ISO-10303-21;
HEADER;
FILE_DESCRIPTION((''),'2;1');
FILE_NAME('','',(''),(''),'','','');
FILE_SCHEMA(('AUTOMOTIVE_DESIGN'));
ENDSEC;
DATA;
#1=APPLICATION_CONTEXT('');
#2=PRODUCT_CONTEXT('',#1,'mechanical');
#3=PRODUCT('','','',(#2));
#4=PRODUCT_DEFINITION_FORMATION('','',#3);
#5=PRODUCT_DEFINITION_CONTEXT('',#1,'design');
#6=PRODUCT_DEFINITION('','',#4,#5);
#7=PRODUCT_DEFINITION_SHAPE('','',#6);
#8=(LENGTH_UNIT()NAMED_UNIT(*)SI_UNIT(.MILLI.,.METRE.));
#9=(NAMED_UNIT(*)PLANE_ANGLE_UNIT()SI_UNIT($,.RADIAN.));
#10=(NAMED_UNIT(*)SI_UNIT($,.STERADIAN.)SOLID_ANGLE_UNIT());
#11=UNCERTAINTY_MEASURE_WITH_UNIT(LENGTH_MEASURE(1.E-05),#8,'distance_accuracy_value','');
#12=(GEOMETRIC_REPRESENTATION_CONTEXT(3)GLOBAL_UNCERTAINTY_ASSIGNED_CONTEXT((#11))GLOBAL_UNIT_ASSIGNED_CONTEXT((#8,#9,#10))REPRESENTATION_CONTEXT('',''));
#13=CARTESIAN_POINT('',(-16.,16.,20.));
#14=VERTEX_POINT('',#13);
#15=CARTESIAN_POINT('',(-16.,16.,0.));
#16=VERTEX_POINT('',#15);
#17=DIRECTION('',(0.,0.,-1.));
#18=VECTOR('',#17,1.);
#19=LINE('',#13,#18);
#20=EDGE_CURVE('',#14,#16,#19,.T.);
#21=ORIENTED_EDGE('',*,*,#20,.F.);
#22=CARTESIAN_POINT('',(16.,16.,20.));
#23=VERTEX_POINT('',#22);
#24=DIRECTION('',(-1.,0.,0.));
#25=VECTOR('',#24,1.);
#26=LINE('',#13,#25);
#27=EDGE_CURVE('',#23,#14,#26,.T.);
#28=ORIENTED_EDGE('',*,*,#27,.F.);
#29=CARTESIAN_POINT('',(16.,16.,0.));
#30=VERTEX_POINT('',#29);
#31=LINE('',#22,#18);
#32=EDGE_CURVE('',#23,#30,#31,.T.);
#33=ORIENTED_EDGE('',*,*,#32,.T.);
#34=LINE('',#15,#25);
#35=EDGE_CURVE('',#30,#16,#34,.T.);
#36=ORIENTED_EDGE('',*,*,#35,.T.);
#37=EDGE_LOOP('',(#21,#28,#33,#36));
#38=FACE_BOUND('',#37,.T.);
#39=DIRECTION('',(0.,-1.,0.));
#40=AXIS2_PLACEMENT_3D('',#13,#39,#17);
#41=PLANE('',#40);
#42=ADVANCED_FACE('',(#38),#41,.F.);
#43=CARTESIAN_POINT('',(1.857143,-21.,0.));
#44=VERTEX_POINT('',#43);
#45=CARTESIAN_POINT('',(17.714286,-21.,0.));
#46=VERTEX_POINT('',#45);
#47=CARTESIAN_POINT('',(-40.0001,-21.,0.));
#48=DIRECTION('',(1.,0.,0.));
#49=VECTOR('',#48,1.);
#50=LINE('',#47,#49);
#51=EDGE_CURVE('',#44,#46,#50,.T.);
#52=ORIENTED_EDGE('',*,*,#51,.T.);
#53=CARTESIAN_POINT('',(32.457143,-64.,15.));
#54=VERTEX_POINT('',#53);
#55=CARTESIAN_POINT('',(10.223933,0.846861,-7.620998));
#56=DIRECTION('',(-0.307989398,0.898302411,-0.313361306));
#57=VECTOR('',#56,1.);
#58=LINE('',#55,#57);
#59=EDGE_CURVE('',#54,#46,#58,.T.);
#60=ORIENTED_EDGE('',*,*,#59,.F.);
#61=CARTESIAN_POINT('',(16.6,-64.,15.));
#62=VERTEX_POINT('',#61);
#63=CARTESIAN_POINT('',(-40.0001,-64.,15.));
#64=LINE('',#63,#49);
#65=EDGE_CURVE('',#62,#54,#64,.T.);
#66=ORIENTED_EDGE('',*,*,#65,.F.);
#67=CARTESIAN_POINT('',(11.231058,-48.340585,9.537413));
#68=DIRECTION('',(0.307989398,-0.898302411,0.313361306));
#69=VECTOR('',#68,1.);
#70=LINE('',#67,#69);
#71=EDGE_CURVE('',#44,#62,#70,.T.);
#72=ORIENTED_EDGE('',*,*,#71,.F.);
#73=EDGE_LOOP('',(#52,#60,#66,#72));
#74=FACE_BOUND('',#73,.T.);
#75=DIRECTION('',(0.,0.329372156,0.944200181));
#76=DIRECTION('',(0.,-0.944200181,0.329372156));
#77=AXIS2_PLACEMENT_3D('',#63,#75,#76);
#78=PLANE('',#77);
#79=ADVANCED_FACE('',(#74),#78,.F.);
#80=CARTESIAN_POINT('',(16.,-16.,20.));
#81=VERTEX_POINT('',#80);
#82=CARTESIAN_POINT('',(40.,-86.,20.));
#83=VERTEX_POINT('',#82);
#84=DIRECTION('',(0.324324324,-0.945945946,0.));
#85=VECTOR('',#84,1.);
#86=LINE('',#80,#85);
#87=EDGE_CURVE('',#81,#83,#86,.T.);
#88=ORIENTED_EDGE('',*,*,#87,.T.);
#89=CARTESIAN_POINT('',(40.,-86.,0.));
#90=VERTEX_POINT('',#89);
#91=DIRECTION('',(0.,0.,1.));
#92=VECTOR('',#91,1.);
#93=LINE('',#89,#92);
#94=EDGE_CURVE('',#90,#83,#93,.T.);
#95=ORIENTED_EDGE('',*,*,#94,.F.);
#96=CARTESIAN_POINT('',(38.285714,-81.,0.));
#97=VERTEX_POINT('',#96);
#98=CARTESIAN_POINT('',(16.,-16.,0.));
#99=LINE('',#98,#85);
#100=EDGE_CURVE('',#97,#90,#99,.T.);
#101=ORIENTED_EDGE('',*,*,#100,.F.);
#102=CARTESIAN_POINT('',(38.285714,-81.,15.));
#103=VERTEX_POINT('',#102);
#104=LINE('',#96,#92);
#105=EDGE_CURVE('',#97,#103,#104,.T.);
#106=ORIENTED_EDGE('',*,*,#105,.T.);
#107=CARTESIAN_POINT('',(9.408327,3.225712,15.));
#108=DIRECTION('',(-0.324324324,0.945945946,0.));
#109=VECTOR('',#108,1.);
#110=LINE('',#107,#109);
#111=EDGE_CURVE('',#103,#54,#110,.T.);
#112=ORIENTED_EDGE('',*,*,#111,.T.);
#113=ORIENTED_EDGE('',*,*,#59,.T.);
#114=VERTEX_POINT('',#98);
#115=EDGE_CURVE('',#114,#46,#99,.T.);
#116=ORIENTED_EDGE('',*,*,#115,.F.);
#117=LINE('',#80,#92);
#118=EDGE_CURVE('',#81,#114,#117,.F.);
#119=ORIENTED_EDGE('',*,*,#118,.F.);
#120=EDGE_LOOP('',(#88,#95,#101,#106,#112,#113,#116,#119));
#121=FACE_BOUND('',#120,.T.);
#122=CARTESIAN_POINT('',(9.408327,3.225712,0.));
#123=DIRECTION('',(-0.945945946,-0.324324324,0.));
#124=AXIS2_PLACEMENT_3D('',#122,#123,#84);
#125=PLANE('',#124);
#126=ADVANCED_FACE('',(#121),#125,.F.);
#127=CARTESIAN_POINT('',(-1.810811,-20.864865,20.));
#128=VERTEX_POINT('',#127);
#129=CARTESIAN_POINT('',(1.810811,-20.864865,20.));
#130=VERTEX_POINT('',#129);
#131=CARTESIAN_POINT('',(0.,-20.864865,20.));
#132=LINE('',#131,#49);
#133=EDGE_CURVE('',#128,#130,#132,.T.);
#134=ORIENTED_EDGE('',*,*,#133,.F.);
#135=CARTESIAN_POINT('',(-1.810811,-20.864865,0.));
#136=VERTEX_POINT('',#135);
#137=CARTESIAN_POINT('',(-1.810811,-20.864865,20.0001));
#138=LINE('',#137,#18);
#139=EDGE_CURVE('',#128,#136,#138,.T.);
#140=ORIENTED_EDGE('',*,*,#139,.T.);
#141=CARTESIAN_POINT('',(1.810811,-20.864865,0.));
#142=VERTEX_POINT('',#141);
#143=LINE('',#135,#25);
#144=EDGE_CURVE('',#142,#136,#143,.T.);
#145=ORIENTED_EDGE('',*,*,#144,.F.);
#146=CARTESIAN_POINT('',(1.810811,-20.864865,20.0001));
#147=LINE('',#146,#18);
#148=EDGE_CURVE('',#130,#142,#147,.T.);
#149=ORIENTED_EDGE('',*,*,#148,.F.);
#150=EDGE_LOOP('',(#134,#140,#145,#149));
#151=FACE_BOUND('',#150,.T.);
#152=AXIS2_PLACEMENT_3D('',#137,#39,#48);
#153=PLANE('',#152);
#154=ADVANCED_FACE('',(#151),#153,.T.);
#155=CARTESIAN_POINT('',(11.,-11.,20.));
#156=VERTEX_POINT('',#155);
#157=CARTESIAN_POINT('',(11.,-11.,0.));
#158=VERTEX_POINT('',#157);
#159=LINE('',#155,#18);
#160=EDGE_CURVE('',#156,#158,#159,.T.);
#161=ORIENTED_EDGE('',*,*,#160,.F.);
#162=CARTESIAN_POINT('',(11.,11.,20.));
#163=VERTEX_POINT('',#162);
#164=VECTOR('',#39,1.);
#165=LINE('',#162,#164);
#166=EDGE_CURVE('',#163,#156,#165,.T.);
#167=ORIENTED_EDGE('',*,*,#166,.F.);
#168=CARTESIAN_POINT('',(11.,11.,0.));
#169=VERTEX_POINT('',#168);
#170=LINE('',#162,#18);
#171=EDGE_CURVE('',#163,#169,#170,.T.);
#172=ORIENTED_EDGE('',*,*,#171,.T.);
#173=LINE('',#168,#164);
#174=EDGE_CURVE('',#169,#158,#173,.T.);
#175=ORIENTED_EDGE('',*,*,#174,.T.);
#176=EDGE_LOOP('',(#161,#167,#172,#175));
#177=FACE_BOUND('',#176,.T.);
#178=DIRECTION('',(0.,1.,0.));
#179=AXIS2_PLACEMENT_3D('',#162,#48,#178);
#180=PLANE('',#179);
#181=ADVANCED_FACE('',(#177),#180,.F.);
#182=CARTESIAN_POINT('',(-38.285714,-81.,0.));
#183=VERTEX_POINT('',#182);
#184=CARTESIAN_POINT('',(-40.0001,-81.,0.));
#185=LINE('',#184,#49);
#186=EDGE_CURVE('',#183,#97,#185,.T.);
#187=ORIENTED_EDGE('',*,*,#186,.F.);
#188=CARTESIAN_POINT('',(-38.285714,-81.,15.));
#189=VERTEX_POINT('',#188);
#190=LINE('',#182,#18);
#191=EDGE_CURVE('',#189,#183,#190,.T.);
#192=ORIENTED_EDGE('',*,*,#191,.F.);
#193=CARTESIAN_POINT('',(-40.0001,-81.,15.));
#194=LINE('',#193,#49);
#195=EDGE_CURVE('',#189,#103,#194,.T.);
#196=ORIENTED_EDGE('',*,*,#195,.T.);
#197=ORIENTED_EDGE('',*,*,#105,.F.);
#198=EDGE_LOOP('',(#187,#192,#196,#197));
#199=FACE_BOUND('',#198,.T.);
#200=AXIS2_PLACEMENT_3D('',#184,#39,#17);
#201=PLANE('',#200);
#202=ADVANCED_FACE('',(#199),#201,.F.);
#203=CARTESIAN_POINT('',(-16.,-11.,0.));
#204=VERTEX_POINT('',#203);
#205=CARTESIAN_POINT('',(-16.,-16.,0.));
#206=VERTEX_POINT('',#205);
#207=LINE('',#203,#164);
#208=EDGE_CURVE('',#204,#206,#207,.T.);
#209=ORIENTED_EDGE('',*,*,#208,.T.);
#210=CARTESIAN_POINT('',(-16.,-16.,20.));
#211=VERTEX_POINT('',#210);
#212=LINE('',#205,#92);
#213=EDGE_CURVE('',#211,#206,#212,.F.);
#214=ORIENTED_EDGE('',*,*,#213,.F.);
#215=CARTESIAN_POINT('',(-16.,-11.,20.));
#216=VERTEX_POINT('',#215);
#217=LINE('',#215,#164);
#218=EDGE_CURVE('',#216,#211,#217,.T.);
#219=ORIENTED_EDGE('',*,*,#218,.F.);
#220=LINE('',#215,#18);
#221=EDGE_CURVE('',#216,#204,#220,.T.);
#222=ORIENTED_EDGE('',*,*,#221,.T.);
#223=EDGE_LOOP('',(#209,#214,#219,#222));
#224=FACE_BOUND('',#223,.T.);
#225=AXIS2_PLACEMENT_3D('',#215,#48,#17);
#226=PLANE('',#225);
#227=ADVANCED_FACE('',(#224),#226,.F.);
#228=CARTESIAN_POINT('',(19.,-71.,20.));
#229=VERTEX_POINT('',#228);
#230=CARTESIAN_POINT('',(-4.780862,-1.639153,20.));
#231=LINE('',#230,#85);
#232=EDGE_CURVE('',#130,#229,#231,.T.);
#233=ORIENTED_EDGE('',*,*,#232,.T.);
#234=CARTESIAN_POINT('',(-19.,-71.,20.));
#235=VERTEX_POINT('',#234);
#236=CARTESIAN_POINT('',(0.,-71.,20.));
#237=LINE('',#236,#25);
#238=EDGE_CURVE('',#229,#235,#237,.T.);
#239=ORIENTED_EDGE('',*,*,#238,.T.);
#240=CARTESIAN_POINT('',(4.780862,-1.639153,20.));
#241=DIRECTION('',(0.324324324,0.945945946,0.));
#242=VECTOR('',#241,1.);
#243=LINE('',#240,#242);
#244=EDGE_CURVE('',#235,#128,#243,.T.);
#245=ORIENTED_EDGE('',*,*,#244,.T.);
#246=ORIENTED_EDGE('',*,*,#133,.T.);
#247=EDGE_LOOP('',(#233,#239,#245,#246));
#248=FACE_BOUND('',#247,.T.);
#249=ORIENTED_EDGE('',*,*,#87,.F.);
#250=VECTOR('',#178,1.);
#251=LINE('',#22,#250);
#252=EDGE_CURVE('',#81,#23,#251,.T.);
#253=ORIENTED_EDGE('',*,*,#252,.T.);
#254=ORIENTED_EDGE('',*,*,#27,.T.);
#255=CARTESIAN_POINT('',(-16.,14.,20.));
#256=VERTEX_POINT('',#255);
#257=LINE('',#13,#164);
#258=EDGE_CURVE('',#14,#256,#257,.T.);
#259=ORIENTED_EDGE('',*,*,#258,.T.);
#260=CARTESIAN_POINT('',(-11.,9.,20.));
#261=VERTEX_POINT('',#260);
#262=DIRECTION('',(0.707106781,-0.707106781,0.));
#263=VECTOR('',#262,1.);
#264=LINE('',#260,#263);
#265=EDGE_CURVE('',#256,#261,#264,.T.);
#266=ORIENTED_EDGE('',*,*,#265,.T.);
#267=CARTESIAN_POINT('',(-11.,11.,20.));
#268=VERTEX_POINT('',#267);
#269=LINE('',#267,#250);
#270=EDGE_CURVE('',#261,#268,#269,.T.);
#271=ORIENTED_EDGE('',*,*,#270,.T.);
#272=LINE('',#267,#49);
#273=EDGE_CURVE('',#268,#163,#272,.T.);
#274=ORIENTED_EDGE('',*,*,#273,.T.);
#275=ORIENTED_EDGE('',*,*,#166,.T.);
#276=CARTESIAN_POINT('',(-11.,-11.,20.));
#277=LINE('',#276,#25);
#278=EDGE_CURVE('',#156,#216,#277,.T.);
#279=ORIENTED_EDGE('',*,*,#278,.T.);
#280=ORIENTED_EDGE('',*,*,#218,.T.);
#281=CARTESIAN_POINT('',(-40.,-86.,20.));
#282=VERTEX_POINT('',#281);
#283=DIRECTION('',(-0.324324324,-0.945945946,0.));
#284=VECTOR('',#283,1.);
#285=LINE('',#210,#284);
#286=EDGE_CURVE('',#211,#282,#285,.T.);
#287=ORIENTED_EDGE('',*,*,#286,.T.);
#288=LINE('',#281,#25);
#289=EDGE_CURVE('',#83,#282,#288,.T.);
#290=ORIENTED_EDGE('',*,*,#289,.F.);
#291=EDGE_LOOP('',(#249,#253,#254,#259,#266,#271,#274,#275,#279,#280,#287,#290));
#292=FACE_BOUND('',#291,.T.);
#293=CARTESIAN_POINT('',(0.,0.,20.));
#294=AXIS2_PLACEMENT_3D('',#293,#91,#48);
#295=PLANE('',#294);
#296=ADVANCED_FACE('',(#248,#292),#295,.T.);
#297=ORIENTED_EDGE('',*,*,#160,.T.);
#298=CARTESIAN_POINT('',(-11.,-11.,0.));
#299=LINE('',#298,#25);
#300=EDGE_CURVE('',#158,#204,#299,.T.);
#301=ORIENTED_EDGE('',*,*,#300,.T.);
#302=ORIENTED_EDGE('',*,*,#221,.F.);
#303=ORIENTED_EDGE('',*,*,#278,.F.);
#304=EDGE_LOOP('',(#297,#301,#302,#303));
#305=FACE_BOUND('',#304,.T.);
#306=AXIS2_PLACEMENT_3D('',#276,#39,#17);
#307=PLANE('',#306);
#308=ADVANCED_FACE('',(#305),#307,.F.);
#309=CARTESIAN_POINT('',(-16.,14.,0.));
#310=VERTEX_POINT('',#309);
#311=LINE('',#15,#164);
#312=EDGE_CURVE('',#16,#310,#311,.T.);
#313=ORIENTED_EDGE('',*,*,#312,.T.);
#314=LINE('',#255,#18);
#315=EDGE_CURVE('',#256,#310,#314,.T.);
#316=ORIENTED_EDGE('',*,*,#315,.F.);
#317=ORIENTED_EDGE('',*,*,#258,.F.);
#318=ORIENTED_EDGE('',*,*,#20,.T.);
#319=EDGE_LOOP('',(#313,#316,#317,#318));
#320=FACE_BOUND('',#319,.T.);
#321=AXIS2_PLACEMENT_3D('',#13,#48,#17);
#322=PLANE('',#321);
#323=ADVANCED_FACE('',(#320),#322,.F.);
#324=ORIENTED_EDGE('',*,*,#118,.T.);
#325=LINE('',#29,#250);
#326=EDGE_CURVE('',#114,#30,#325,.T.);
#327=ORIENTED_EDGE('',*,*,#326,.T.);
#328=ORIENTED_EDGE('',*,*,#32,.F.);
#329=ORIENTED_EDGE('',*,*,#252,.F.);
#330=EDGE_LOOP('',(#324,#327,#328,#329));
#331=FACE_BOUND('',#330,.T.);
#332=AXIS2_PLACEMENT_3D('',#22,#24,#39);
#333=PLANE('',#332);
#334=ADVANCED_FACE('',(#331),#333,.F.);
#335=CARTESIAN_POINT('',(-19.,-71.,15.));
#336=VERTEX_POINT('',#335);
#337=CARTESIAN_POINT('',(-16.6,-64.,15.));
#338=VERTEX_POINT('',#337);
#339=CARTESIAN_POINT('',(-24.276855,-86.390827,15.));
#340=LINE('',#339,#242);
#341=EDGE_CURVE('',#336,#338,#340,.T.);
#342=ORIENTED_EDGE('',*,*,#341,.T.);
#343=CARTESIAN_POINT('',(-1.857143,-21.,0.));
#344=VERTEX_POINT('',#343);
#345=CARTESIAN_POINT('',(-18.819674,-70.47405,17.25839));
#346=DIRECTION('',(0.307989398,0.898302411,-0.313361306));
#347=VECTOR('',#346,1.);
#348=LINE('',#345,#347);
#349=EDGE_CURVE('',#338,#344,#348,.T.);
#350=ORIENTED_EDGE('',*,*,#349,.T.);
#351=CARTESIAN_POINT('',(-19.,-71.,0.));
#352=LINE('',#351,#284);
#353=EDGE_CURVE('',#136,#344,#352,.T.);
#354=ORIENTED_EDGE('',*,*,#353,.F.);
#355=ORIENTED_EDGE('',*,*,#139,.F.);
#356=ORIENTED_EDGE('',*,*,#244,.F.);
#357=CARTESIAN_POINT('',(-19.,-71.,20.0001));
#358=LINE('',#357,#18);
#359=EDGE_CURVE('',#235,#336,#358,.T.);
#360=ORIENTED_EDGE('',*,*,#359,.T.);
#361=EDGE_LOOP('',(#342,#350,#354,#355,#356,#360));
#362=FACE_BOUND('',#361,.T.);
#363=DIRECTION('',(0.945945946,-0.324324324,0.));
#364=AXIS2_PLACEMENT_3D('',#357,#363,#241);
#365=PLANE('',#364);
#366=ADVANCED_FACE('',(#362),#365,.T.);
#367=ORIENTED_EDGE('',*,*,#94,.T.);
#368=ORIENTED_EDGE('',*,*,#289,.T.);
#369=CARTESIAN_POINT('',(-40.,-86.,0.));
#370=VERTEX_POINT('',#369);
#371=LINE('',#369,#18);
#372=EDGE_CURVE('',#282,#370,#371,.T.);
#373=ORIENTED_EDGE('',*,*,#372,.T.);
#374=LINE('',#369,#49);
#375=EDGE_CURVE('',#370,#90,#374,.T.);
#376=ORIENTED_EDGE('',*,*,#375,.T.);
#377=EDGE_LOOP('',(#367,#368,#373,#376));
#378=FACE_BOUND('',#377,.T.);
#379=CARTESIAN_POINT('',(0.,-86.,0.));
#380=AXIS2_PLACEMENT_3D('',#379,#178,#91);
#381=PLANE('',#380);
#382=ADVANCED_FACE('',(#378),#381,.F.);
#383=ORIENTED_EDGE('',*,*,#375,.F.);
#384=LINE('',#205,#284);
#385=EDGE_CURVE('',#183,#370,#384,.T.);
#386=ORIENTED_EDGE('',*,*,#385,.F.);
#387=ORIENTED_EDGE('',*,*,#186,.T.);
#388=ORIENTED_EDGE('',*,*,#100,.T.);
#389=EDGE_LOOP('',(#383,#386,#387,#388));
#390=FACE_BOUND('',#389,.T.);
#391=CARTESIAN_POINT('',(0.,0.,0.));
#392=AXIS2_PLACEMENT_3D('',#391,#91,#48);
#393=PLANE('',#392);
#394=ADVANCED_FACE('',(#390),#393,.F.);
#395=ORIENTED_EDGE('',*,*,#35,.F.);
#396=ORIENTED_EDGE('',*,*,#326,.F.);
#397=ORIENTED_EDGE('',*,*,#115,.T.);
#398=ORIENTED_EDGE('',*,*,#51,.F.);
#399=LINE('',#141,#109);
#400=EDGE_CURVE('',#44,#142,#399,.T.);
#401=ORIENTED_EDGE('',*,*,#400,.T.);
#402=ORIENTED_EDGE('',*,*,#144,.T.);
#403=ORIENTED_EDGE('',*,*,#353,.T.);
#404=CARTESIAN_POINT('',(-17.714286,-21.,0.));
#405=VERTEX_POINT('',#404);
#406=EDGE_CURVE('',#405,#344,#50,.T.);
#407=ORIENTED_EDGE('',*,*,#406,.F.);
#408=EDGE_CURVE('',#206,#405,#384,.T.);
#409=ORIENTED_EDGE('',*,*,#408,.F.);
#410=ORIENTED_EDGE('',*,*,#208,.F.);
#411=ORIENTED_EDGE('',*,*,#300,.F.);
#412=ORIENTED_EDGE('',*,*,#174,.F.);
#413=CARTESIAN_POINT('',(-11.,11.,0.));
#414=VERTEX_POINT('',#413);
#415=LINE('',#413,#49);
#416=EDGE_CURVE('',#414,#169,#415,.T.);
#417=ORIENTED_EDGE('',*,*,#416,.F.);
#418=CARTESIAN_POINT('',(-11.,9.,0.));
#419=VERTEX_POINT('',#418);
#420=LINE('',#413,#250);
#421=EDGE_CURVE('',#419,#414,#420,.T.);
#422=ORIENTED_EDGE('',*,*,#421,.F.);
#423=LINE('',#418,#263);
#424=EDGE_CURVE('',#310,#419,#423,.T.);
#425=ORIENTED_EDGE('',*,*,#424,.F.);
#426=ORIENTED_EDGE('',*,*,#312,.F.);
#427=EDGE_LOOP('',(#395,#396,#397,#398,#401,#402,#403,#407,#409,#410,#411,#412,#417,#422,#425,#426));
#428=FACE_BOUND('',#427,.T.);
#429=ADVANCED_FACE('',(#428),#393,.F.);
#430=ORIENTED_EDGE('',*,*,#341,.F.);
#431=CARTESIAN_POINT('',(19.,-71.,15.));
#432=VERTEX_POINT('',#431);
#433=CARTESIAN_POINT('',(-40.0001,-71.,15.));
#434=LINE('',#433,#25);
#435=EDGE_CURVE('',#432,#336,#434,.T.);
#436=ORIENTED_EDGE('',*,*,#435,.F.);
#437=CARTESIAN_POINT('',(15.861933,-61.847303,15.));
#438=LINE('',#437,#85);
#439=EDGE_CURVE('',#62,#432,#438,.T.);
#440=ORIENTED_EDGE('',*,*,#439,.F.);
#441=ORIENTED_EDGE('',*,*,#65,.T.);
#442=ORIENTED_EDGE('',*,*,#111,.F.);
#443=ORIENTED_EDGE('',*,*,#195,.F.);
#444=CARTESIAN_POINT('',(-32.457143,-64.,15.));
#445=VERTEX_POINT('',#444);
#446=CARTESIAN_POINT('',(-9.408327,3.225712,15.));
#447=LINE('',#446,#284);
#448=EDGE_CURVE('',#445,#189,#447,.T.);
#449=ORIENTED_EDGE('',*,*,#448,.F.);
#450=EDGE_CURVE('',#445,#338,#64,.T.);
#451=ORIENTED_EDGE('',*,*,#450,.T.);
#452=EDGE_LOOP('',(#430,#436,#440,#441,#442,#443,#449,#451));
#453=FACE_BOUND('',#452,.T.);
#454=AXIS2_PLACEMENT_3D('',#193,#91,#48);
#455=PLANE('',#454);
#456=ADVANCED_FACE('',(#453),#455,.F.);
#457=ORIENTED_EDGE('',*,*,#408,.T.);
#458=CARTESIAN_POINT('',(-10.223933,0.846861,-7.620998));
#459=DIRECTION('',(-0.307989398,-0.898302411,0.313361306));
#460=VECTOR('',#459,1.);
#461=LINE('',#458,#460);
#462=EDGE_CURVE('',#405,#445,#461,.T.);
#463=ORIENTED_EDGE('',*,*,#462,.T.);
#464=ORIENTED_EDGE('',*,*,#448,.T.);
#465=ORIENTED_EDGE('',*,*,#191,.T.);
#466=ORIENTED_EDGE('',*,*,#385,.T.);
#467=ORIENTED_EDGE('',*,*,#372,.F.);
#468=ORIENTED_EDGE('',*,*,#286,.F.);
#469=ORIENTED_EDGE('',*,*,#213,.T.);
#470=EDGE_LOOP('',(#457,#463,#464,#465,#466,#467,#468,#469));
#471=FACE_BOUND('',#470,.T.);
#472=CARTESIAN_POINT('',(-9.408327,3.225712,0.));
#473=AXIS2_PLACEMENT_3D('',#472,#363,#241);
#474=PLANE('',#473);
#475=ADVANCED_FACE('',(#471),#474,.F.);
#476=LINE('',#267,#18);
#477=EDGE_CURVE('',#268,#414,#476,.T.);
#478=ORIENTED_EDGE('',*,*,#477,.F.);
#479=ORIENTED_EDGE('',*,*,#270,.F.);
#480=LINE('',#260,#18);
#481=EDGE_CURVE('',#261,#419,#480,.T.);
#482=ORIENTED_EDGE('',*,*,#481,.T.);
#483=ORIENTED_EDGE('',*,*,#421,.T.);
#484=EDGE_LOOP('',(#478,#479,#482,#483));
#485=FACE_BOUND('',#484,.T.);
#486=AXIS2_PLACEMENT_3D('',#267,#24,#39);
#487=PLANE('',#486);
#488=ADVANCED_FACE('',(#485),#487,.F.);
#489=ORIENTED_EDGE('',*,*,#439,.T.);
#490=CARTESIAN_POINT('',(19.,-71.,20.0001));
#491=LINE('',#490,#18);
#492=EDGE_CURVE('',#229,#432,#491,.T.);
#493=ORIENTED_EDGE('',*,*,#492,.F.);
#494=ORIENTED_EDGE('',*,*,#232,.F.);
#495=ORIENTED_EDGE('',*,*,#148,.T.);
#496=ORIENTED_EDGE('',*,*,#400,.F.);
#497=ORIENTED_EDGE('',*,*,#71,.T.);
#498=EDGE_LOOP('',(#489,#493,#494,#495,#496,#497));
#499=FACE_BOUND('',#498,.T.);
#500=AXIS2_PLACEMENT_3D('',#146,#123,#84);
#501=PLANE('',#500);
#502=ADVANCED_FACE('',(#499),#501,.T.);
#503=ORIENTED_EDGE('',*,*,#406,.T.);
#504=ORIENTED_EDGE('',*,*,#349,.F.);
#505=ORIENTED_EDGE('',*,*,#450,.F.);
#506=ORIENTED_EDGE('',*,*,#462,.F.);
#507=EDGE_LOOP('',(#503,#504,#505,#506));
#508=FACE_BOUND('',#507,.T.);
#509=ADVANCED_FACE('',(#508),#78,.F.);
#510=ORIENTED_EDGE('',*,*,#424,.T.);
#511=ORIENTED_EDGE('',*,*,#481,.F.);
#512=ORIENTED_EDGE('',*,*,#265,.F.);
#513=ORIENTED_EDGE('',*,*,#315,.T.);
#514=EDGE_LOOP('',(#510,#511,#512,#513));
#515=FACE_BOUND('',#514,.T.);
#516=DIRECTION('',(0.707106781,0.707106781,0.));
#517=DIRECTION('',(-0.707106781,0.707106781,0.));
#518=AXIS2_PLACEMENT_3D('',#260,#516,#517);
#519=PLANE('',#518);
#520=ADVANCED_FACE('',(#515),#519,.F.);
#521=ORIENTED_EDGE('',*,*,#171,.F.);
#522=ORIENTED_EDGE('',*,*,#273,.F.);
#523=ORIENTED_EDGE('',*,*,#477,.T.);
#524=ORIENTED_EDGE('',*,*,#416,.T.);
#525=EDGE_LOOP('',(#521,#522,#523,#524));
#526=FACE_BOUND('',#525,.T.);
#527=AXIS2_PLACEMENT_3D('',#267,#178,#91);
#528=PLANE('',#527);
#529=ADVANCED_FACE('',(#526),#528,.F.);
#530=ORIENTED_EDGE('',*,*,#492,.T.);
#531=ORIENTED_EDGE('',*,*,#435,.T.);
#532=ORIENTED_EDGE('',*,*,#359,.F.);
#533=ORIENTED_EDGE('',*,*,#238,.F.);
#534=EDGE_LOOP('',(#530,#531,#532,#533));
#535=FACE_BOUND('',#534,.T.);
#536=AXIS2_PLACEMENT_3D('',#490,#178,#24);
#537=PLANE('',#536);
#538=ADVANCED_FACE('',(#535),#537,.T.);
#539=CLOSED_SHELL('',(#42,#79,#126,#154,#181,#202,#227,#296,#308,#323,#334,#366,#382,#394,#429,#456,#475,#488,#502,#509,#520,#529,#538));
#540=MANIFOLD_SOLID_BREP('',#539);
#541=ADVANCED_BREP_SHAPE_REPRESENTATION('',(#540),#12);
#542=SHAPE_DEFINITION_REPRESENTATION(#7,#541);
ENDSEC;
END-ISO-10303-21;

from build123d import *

# Parameters (mm, degrees)
BOSS_EXTRUDE1_DEPTH     = 20
CUT_EXTRUDE1_DEPTH      = 97.932966679
CUT_EXTRUDE1_DEPTH_BACK = 97.932966679
CUT_EXTRUDE3_DEPTH      = 97.932966679


with BuildPart() as part:
    # Sketch2 → Boss-Extrude1 (new body)
    with BuildSketch(Plane.XY):
        Polygon((16, 16), (16, -16), (-16, -16), (-16, -11), (-11, -11), (11, -11), (11, 11), (-11, 11), (-11, 9), (-16, 14), (-16, 16), align=None)
    extrude(amount=BOSS_EXTRUDE1_DEPTH)

    # Sketch3 → Loft1 section 0
    with BuildSketch(Plane.XZ.offset(16)):
        with BuildLine():
            Line((-16, 0), (16, 0))
            Line((16, 0), (16, 20))
            Line((16, 20), (-16, 20))
            Line((-16, 20), (-16, 0))
        make_face()
    # Sketch4 → Loft1 section 1
    with BuildSketch(Plane(origin=(0, -86, 0), x_dir=(-1, 0, 0), z_dir=(0, -1, 0))):
        with BuildLine():
            Line((40, 0), (-40, 0))
            Line((-40, 0), (-40, -20))
            Line((-40, -20), (40, -20))
            Line((40, -20), (40, 0))
        make_face()
    loft()

    # Sketch5 → Cut-Extrude1 (cut, two sides: drawn at the far end of the back side and taken through both)
    with BuildSketch(Plane(origin=(0, 0, 0), x_dir=(0, 0, -1), z_dir=(1, 0, 0)).offset(-CUT_EXTRUDE1_DEPTH_BACK)):
        Polygon((0, -81), (-15, -81), (-15, -64), (0, -21), align=None)
    extrude(amount=CUT_EXTRUDE1_DEPTH + CUT_EXTRUDE1_DEPTH_BACK, mode=Mode.SUBTRACT)

    # Sketch6 → Cut-Extrude3 (cut, through all)
    with BuildSketch(Plane.XY):
        Polygon((-1.810810811, -20.864864865), (1.810810811, -20.864864865), (19, -71), (-19, -71), align=None)
    extrude(amount=CUT_EXTRUDE3_DEPTH, mode=Mode.SUBTRACT)


solid = part.part
